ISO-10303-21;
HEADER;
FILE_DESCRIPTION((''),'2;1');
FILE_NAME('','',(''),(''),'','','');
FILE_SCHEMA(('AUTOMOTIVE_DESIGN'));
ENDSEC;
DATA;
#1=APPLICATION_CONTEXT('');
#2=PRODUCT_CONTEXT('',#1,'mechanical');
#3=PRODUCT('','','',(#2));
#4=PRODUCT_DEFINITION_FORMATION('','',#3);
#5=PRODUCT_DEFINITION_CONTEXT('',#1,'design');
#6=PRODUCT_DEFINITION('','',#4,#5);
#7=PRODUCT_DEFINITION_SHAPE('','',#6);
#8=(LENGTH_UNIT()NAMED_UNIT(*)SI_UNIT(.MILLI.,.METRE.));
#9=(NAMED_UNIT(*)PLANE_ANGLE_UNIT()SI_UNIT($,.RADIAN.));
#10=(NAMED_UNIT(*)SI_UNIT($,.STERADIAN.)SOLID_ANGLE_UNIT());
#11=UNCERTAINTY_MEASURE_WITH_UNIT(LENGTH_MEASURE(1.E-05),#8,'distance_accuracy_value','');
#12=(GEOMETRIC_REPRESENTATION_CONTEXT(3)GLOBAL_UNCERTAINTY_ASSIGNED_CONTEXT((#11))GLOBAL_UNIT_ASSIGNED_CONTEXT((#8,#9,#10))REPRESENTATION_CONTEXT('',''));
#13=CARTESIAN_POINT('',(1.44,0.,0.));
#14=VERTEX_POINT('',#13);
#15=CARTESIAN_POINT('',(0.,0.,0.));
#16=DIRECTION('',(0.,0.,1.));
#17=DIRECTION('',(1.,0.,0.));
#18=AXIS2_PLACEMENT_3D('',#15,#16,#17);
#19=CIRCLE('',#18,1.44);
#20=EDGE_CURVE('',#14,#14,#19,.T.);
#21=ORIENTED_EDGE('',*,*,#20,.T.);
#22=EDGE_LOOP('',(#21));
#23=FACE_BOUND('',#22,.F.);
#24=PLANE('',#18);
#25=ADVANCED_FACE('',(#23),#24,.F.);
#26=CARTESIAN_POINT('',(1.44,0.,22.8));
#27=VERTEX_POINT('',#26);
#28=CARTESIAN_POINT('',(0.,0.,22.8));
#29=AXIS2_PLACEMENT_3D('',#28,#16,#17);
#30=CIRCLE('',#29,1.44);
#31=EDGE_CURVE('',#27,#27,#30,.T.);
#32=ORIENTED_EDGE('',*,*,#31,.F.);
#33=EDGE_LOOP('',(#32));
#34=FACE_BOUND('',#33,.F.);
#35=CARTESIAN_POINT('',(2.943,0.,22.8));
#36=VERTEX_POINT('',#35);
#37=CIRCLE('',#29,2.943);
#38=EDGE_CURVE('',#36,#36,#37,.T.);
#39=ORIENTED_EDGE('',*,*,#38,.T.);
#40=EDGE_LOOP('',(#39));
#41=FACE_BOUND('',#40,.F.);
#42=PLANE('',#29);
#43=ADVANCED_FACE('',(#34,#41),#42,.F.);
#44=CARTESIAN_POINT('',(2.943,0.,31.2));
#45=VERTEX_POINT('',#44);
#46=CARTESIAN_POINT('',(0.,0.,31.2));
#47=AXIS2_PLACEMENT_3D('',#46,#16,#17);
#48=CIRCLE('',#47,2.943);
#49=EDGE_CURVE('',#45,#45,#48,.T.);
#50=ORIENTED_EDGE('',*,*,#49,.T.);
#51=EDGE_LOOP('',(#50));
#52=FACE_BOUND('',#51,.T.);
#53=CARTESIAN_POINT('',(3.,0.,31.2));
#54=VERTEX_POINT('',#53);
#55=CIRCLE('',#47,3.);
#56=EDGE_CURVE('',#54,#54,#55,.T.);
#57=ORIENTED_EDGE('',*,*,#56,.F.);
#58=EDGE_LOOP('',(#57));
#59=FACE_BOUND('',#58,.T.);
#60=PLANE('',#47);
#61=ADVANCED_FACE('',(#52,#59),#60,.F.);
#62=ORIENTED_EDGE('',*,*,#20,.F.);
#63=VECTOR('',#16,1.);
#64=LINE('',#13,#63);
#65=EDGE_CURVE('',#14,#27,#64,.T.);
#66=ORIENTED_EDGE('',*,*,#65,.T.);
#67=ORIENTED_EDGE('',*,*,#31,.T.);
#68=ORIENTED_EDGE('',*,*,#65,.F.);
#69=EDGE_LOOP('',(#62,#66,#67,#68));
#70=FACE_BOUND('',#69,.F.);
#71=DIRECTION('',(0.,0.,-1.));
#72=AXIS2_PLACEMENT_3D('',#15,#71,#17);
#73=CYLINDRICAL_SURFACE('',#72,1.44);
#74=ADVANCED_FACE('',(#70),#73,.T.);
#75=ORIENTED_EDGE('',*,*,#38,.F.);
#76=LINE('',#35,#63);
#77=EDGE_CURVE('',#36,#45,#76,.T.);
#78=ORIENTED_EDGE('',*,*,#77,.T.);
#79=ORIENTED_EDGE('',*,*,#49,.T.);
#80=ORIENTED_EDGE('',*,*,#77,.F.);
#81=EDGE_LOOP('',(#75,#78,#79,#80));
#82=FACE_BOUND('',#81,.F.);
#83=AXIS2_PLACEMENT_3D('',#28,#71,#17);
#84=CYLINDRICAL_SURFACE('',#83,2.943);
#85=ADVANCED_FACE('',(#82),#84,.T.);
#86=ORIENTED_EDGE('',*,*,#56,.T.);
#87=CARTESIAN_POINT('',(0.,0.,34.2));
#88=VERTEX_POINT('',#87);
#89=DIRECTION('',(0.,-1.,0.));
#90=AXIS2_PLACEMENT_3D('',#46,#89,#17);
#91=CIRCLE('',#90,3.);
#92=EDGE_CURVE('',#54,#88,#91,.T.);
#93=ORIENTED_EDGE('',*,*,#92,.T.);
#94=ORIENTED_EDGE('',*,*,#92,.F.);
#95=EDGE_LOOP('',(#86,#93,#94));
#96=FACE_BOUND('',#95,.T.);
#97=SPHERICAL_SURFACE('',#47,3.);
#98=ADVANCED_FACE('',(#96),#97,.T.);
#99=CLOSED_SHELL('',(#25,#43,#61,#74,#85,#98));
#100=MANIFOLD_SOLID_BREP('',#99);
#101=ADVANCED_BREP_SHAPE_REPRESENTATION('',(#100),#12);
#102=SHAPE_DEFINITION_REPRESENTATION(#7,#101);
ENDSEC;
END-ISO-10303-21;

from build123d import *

# Parameters (mm, degrees)
F0_R     = 0.48
F1_DEPTH = 7.6
F2_R     = 0.981
F2_R_2   = 0.48
F3_DEPTH = 2.8
F6_SCALE = 3


with BuildPart() as f1:
    # F0 (on Top) → F1 (new body)
    with BuildSketch(Plane.XY):
        Circle(F0_R)
    extrude(amount=F1_DEPTH)

    # F2 (on face) → F3 (join)
    with BuildSketch(Plane.XY.offset(7.6)):
        Circle(F2_R)
        Circle(F2_R_2, mode=Mode.SUBTRACT)
        Circle(F2_R_2)
    extrude(amount=F3_DEPTH)

    # F4 (on Front) → F5 (revolve)
    with BuildSketch(Plane.XZ):
        with BuildLine():
            Line((0, 10.4), (1, 10.4))
            ThreePointArc((1, 10.4), (0.7071067812, 11.1071067812), (0, 11.4))
            Line((0, 11.4), (0, 10.4))
        make_face()
    revolve(axis=Axis((0, 0, 7.5), (0, 0, 1)))


with BuildPart() as f1_1:
    # F6: moved
    add(f1.part.scale(F6_SCALE))


solid = f1_1.part
